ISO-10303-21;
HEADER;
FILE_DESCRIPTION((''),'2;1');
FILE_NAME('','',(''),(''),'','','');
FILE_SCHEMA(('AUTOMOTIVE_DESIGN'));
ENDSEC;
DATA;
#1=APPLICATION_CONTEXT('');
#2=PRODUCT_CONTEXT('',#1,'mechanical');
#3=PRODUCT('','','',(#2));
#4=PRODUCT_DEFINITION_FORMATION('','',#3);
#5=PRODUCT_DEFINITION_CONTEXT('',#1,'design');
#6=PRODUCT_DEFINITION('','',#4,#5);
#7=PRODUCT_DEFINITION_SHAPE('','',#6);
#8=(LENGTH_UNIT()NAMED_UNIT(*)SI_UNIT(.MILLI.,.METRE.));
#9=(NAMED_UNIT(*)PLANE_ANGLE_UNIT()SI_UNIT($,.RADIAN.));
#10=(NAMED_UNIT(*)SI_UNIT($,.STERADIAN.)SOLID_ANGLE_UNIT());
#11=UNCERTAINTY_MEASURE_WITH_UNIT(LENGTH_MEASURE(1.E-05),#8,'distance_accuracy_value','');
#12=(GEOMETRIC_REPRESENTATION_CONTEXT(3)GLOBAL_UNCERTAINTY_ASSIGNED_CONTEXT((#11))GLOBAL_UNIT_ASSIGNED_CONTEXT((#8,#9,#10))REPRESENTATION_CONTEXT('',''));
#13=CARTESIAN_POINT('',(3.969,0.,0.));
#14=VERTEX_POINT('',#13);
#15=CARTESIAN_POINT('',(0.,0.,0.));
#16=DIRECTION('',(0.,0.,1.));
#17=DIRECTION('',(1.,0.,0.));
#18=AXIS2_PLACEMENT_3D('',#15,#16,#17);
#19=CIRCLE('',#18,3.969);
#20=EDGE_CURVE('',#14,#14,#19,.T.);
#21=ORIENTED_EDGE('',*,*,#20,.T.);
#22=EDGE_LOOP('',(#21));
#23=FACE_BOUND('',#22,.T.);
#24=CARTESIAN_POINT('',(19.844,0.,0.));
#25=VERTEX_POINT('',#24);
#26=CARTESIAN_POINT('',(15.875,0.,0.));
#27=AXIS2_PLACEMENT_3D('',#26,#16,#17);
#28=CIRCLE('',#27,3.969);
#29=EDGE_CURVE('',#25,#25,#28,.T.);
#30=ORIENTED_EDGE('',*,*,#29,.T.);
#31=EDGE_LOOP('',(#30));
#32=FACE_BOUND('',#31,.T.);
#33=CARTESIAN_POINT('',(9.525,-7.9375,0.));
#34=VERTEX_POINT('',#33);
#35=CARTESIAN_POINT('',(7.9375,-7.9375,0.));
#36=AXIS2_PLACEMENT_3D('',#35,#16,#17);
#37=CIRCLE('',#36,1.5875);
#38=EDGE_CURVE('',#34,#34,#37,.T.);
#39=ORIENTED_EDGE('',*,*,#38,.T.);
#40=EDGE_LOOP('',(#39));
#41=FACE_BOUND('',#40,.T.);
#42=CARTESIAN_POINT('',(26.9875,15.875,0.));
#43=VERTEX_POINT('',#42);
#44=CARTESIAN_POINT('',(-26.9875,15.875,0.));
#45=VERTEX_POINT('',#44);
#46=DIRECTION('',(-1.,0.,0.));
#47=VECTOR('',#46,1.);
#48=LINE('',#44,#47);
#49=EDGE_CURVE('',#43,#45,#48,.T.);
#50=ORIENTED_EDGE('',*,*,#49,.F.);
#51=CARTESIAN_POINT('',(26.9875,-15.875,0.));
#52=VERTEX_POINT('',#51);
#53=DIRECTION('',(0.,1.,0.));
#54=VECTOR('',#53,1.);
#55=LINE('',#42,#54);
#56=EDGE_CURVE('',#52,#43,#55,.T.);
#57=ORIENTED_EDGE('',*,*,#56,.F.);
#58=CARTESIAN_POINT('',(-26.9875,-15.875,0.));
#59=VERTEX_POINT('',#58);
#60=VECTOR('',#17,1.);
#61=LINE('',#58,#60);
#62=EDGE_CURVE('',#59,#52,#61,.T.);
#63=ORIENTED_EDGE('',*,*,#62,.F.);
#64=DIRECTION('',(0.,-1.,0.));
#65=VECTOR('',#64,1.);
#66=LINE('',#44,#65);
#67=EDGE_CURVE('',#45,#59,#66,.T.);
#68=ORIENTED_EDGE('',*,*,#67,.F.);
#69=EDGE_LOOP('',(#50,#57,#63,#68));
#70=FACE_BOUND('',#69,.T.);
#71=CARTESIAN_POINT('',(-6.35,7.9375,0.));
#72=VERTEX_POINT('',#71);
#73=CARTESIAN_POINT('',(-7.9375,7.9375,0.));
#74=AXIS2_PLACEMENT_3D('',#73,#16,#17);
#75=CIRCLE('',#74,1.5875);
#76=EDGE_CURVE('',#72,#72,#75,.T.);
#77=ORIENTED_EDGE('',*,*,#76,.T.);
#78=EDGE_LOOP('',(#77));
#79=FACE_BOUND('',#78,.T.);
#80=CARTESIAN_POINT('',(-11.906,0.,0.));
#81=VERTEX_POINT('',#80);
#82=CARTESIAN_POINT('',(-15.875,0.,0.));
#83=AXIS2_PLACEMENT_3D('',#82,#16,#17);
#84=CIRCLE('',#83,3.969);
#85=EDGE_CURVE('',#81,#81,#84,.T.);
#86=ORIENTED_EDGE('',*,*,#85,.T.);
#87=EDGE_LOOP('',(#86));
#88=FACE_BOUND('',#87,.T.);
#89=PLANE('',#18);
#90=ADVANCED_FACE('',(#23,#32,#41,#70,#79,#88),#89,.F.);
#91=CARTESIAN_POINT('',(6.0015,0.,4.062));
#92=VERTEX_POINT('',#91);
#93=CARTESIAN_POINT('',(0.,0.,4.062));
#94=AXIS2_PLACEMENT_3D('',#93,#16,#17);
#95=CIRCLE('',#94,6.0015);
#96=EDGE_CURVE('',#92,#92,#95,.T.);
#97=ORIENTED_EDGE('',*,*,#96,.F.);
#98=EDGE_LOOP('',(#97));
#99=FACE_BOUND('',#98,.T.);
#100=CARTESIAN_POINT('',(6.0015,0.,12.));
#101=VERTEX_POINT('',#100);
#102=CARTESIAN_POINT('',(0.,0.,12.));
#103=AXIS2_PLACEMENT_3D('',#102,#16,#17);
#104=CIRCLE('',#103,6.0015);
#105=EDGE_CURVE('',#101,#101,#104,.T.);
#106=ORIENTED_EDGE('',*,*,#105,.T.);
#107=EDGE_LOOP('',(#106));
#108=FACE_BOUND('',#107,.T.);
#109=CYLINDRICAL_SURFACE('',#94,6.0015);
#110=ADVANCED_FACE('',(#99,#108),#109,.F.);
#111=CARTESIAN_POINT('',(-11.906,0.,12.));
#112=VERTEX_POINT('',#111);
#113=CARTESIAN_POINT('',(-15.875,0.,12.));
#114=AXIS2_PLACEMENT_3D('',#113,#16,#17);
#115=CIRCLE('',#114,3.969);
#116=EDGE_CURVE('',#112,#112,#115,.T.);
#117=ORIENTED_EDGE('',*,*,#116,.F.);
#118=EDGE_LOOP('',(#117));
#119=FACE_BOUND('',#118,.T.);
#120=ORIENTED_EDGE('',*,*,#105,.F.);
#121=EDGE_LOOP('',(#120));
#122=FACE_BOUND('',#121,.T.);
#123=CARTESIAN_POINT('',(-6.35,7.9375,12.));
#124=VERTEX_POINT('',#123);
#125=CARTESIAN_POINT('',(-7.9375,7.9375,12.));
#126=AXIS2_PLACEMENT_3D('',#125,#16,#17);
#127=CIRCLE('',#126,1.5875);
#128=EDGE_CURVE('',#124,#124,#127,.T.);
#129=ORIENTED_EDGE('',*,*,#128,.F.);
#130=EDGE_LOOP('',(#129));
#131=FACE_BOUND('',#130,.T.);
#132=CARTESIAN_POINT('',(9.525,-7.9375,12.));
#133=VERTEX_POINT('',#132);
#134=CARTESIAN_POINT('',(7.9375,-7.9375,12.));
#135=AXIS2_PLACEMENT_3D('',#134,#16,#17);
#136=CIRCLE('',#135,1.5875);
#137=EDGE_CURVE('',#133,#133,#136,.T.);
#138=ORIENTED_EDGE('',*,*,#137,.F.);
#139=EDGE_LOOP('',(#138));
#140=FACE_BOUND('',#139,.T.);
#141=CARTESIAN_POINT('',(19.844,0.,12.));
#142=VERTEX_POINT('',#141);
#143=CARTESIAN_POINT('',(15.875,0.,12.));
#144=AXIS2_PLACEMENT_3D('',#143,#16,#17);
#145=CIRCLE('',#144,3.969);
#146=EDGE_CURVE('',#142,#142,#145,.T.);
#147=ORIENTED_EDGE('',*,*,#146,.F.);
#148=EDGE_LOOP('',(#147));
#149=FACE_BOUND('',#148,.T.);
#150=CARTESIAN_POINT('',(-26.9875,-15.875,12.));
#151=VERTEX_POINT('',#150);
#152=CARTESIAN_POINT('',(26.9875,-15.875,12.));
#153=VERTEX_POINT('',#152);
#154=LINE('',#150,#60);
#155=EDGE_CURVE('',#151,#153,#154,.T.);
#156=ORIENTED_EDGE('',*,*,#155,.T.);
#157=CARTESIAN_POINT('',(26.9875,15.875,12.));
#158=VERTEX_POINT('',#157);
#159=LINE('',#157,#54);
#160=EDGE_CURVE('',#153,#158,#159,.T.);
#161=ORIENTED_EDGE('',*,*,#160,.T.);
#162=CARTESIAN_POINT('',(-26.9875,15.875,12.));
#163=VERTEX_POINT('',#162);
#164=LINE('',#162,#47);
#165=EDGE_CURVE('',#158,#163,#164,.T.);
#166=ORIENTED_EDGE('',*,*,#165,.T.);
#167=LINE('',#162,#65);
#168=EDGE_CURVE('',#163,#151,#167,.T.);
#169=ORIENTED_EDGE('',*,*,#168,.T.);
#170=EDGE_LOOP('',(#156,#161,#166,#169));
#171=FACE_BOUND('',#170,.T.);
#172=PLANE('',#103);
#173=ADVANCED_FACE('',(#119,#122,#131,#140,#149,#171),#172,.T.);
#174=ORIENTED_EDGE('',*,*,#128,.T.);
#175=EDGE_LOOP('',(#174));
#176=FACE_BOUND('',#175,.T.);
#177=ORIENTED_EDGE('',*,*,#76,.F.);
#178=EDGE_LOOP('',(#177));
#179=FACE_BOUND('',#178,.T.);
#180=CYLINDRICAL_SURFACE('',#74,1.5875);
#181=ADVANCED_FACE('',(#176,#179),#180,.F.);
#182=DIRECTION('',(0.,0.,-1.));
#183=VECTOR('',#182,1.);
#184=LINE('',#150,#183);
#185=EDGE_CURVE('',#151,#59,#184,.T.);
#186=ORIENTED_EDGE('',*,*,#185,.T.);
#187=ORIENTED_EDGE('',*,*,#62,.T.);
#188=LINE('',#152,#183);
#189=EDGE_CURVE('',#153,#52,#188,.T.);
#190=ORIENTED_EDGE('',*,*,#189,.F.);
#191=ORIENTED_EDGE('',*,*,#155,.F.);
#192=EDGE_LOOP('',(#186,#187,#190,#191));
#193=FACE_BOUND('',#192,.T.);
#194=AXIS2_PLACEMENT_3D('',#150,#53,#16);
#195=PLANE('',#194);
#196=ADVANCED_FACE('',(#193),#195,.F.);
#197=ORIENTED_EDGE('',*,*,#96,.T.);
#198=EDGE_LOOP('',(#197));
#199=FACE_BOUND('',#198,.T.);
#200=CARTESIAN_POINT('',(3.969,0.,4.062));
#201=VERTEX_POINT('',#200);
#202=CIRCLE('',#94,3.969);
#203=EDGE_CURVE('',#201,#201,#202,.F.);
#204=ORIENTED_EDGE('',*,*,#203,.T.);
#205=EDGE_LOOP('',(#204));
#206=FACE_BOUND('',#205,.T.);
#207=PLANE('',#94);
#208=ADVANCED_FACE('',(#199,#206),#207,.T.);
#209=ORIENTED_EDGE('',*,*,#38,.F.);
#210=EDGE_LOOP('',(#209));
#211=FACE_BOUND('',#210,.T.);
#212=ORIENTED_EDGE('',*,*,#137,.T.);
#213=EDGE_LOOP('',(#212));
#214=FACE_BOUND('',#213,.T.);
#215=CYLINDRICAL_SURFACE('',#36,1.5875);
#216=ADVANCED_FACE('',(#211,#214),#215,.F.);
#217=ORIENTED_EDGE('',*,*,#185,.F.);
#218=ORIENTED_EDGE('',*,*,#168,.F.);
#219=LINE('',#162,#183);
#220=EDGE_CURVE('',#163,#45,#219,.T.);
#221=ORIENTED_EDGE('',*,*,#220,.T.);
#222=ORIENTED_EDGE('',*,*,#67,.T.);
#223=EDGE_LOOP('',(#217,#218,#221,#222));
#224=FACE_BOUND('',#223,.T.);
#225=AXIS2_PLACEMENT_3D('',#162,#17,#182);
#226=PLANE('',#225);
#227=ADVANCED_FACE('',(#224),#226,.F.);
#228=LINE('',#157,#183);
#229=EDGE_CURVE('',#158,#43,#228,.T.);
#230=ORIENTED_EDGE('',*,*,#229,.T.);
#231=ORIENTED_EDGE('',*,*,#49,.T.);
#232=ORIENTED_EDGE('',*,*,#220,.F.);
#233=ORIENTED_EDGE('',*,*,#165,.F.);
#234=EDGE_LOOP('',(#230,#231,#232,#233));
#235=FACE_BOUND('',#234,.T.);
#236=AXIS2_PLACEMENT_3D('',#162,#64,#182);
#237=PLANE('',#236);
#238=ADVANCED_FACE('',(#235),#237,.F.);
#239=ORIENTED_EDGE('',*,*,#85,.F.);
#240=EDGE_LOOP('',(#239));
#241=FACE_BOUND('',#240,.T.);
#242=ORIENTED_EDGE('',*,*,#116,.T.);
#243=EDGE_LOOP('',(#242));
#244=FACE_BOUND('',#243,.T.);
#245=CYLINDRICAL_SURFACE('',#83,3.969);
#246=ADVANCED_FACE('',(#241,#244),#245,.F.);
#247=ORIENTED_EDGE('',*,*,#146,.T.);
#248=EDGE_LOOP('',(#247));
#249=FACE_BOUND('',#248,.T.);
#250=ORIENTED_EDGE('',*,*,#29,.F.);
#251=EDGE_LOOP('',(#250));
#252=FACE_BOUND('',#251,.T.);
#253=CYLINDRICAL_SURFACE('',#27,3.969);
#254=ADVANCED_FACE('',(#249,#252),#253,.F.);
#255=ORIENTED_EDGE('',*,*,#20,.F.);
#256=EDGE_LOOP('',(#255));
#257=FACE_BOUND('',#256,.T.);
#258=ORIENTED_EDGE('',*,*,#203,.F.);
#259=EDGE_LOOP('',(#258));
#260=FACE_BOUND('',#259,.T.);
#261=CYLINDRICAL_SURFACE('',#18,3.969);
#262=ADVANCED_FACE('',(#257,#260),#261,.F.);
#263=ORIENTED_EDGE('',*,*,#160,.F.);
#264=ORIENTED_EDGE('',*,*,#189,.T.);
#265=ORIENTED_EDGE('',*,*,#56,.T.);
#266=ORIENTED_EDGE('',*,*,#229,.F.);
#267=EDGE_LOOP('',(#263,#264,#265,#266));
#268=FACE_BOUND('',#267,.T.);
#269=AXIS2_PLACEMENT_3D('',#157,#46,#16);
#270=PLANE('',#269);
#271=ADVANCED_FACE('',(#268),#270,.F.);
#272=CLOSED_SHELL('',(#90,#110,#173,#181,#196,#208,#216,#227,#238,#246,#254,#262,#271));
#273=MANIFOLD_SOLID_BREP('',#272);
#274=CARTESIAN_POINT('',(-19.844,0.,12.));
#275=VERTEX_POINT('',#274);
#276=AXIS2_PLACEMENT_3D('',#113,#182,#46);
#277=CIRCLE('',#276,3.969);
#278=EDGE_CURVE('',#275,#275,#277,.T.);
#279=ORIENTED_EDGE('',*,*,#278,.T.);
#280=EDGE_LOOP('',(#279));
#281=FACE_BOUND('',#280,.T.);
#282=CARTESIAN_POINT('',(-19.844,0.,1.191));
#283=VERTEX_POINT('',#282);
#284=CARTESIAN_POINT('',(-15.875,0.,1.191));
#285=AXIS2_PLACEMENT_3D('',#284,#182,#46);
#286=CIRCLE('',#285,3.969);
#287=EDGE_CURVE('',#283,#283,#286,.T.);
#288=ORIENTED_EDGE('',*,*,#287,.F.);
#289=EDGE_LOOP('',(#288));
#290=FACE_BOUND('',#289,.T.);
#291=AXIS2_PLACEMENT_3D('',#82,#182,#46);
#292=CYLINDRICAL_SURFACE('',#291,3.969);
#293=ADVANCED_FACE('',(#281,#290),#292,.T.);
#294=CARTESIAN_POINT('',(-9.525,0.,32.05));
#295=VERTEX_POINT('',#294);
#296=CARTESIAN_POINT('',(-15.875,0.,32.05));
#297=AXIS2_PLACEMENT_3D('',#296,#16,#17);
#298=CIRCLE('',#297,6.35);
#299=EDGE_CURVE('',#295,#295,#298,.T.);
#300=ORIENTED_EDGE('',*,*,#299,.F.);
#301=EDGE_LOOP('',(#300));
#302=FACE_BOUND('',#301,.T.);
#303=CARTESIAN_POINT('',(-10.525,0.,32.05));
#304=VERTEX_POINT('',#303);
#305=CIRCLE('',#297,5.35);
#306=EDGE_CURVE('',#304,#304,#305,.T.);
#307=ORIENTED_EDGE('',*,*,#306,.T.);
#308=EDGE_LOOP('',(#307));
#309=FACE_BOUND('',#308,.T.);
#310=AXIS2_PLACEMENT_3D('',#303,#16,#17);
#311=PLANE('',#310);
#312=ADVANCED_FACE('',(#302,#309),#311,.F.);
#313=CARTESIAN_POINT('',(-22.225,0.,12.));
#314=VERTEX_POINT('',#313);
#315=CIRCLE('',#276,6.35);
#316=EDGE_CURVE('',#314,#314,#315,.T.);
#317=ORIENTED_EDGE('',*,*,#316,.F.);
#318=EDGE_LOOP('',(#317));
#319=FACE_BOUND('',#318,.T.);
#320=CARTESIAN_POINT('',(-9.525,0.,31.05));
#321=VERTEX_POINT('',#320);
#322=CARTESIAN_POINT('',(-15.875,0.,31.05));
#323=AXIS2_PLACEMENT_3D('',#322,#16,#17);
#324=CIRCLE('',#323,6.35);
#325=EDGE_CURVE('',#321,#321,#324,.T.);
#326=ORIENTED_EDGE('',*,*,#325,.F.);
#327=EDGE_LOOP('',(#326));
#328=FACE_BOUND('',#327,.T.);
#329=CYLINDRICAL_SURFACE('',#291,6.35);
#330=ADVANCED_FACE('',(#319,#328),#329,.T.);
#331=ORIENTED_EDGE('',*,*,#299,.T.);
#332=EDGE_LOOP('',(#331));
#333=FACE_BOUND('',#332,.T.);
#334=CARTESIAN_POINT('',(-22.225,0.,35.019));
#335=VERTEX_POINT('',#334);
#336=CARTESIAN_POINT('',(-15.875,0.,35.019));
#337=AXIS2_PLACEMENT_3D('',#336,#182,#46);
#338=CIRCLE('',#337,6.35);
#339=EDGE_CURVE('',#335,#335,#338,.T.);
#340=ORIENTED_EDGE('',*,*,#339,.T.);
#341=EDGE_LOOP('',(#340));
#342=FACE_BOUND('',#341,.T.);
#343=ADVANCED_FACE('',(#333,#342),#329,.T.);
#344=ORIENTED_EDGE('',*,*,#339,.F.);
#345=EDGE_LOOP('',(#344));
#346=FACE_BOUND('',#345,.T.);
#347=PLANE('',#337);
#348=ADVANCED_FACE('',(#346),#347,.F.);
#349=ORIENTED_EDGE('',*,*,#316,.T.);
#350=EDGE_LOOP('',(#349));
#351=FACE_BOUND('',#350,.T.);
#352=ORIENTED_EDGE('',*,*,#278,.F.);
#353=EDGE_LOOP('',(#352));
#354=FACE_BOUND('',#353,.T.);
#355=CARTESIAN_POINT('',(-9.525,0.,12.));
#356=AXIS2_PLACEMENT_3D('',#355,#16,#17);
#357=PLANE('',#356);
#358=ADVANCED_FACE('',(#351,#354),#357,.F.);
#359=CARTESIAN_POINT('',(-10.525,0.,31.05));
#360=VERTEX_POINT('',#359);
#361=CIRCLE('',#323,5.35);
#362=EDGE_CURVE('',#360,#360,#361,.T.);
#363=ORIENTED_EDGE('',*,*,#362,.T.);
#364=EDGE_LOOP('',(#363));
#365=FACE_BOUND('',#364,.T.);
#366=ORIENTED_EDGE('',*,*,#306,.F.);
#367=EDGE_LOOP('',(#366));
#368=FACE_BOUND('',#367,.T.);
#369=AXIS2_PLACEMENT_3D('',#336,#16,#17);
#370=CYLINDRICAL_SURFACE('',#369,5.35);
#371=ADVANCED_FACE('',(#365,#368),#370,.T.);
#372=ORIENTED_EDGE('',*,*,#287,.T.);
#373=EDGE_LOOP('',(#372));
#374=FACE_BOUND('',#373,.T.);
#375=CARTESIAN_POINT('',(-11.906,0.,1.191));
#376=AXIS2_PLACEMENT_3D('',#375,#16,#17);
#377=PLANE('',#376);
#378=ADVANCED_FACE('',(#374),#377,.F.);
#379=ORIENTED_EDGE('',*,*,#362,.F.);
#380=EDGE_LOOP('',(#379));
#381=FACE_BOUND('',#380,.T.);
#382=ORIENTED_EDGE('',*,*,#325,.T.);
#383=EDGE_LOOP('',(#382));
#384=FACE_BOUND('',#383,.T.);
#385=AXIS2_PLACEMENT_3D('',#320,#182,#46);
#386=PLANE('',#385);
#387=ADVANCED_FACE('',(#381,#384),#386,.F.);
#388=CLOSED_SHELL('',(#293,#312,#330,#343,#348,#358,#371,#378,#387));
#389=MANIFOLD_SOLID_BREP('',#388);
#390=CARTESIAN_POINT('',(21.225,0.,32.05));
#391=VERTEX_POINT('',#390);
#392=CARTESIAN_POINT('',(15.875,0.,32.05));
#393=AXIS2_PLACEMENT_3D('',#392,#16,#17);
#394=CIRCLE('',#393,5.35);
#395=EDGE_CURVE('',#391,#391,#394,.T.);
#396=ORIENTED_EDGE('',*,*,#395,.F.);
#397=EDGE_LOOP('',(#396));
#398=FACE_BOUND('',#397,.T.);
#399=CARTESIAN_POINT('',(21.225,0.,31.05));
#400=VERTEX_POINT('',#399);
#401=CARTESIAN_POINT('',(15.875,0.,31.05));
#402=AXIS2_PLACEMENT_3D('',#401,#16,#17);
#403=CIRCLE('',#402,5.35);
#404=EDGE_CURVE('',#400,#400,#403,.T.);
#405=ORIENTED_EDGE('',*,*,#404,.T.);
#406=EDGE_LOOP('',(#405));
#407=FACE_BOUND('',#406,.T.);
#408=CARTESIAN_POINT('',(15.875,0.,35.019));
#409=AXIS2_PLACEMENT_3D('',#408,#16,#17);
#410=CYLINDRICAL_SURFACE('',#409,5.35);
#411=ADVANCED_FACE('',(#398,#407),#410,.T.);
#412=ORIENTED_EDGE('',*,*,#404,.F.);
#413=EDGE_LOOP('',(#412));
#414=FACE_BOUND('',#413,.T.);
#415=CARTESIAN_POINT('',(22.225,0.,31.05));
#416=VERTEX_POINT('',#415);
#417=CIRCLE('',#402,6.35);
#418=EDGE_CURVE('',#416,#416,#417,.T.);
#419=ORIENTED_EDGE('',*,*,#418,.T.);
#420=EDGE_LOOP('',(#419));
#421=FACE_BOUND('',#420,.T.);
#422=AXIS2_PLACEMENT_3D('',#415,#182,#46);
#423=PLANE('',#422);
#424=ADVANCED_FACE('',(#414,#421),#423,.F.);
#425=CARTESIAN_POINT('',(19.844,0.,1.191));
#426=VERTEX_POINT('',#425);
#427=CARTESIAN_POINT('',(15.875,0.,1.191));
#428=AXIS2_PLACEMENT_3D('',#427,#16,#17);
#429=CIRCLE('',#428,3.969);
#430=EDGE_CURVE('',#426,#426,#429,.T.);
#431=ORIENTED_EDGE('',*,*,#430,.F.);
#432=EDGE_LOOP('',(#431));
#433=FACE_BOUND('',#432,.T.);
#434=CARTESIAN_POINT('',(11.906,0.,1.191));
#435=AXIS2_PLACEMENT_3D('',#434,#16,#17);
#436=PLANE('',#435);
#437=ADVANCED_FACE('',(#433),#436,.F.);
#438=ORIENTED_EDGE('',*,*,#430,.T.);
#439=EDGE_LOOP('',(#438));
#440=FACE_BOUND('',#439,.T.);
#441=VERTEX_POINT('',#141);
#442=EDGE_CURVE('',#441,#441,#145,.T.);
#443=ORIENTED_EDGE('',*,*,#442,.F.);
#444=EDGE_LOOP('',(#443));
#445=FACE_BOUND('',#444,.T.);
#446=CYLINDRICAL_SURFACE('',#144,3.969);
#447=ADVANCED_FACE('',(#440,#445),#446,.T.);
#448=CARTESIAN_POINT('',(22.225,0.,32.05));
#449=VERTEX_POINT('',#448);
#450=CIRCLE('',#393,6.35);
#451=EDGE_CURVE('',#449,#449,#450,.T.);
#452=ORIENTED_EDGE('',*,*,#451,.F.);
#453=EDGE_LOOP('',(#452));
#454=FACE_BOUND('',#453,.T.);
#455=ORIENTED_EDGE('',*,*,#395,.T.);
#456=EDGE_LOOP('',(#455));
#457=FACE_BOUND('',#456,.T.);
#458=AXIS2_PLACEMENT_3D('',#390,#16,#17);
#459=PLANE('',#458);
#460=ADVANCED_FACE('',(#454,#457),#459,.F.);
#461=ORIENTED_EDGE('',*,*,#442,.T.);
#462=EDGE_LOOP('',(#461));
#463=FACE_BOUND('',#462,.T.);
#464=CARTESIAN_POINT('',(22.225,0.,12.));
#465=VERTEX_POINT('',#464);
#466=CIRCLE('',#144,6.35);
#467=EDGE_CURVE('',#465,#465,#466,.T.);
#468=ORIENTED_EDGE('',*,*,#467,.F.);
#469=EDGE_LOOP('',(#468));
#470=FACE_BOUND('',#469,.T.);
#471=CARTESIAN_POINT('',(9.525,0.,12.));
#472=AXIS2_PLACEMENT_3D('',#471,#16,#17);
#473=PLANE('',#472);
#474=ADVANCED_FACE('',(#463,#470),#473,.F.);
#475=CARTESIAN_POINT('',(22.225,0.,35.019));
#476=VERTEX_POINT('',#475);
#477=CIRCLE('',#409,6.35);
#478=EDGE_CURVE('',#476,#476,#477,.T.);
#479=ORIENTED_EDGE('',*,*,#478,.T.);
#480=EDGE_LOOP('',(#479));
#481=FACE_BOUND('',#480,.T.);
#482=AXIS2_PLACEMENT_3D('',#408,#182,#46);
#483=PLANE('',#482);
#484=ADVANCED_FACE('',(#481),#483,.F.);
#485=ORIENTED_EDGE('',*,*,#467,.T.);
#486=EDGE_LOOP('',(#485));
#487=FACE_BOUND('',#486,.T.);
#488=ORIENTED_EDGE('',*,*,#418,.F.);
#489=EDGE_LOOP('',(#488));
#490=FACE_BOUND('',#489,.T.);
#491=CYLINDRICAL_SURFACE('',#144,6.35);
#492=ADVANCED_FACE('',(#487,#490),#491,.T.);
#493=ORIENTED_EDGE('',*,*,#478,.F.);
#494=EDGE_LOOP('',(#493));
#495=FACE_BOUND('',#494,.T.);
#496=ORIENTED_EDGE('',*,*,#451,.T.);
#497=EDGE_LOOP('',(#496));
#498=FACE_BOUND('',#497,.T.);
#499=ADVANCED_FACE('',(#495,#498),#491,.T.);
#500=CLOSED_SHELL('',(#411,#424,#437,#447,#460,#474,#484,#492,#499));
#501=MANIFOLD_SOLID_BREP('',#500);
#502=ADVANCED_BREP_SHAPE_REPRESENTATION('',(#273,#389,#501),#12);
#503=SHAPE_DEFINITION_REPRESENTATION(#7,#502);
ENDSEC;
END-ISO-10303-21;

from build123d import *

# Parameters (mm, degrees)
CROQUIS1_W              = 53.975
CROQUIS1_H              = 31.75
SALIENTE_EXTRUIR1_DEPTH = 12
CROQUIS2_R              = 3.969
CORTAR_EXTRUIR1_DEPTH   = 34.53119117
CROQUIS3_R              = 6.0015
CORTAR_EXTRUIR2_DEPTH   = 7.938
CROQUIS4_R              = 1.5875
CORTAR_EXTRUIR3_DEPTH   = 34.53119117
CROQUIS5_R              = 3.969
CORTAR_EXTRUIR4_DEPTH   = 34.53119117
CROQUIS12_W             = 1
CROQUIS12_H             = 1
CROQUIS13_W             = 1
CROQUIS13_H             = 1


with BuildPart() as part:
    # Croquis1 → Saliente-Extruir1 (new body)
    with BuildSketch(Plane.XY):
        Rectangle(CROQUIS1_W, CROQUIS1_H)
    extrude(amount=SALIENTE_EXTRUIR1_DEPTH)

    # Croquis2 → Cortar-Extruir1 (cut, through all)
    with BuildSketch(Plane.XY.offset(12)):
        Circle(CROQUIS2_R)
    extrude(amount=-CORTAR_EXTRUIR1_DEPTH, mode=Mode.SUBTRACT)

    # Croquis3 → Cortar-Extruir2 (cut)
    with BuildSketch(Plane.XY.offset(12)):
        Circle(CROQUIS3_R)
    extrude(amount=-CORTAR_EXTRUIR2_DEPTH, mode=Mode.SUBTRACT)

    # Croquis4 → Cortar-Extruir3 (cut, through all)
    with BuildSketch(Plane.XY.offset(12)):
        with Locations((7.9375, -7.9375)):
            Circle(CROQUIS4_R)
        with Locations((-7.9375, 7.9375)):
            Circle(CROQUIS4_R)
    extrude(amount=-CORTAR_EXTRUIR3_DEPTH, mode=Mode.SUBTRACT)

    # Croquis5 → Cortar-Extruir4 (cut, through all)
    with BuildSketch(Plane.XY.offset(12)):
        with Locations((-15.875, 0)):
            Circle(CROQUIS5_R)
        with Locations((15.875, 0)):
            Circle(CROQUIS5_R)
    extrude(amount=-CORTAR_EXTRUIR4_DEPTH, mode=Mode.SUBTRACT)


with BuildPart() as body_2:
    # Croquis6 → Revolución3 (revolve)
    with BuildSketch(Plane(origin=(0, 0, 0), x_dir=(1, 0, 0), z_dir=(0, 1, 0)), mode=Mode.PRIVATE) as revoluci_n3_sk:
        Polygon((-15.875, -1.191), (-15.875, -35.019), (-9.525, -35.019), (-9.525, -12), (-11.906, -12), (-11.906, -1.191), align=None)
    revolve(revoluci_n3_sk.sketch.rotate(Axis((-15.875, 0, 0), (0, 0, 1)), 180), axis=Axis((-15.875, 0, 0), (0, 0, 1)))

    # Croquis12 → Cortar-Revolución3 (revolve, cut)
    with BuildSketch(Plane(origin=(0, 0, 0), x_dir=(1, 0, 0), z_dir=(0, 1, 0)), mode=Mode.PRIVATE) as cortar_revoluci_n3_sk:
        with Locations((-10.025, -31.55)):
            Rectangle(CROQUIS12_W, CROQUIS12_H)
    revolve(cortar_revoluci_n3_sk.sketch.rotate(Axis((-15.875, 0, 35.019), (0, 0, -1)), 180), axis=Axis((-15.875, 0, 35.019), (0, 0, -1)), mode=Mode.SUBTRACT)


with BuildPart() as body_3:
    # Croquis8 → Revolución4 (revolve)
    with BuildSketch(Plane(origin=(0, 0, 0), x_dir=(1, 0, 0), z_dir=(0, 1, 0)), mode=Mode.PRIVATE) as revoluci_n4_sk:
        Polygon((15.875, -1.191), (15.875, -35.019), (9.525, -35.019), (9.525, -12), (11.906, -12), (11.906, -1.191), align=None)
    revolve(revoluci_n4_sk.sketch.rotate(Axis((15.875, 0, 12), (0, 0, -1)), 180), axis=Axis((15.875, 0, 12), (0, 0, -1)))

    # Croquis13 → Cortar-Revolución4 (revolve, cut)
    with BuildSketch(Plane(origin=(0, 0, 0), x_dir=(1, 0, 0), z_dir=(0, 1, 0))):
        with Locations((21.725, -31.55)):
            Rectangle(CROQUIS13_W, CROQUIS13_H)
    revolve(axis=Axis((15.875, 0, 35.019), (0, 0, -1)), mode=Mode.SUBTRACT)


solid = Compound([part.part, body_2.part, body_3.part])
